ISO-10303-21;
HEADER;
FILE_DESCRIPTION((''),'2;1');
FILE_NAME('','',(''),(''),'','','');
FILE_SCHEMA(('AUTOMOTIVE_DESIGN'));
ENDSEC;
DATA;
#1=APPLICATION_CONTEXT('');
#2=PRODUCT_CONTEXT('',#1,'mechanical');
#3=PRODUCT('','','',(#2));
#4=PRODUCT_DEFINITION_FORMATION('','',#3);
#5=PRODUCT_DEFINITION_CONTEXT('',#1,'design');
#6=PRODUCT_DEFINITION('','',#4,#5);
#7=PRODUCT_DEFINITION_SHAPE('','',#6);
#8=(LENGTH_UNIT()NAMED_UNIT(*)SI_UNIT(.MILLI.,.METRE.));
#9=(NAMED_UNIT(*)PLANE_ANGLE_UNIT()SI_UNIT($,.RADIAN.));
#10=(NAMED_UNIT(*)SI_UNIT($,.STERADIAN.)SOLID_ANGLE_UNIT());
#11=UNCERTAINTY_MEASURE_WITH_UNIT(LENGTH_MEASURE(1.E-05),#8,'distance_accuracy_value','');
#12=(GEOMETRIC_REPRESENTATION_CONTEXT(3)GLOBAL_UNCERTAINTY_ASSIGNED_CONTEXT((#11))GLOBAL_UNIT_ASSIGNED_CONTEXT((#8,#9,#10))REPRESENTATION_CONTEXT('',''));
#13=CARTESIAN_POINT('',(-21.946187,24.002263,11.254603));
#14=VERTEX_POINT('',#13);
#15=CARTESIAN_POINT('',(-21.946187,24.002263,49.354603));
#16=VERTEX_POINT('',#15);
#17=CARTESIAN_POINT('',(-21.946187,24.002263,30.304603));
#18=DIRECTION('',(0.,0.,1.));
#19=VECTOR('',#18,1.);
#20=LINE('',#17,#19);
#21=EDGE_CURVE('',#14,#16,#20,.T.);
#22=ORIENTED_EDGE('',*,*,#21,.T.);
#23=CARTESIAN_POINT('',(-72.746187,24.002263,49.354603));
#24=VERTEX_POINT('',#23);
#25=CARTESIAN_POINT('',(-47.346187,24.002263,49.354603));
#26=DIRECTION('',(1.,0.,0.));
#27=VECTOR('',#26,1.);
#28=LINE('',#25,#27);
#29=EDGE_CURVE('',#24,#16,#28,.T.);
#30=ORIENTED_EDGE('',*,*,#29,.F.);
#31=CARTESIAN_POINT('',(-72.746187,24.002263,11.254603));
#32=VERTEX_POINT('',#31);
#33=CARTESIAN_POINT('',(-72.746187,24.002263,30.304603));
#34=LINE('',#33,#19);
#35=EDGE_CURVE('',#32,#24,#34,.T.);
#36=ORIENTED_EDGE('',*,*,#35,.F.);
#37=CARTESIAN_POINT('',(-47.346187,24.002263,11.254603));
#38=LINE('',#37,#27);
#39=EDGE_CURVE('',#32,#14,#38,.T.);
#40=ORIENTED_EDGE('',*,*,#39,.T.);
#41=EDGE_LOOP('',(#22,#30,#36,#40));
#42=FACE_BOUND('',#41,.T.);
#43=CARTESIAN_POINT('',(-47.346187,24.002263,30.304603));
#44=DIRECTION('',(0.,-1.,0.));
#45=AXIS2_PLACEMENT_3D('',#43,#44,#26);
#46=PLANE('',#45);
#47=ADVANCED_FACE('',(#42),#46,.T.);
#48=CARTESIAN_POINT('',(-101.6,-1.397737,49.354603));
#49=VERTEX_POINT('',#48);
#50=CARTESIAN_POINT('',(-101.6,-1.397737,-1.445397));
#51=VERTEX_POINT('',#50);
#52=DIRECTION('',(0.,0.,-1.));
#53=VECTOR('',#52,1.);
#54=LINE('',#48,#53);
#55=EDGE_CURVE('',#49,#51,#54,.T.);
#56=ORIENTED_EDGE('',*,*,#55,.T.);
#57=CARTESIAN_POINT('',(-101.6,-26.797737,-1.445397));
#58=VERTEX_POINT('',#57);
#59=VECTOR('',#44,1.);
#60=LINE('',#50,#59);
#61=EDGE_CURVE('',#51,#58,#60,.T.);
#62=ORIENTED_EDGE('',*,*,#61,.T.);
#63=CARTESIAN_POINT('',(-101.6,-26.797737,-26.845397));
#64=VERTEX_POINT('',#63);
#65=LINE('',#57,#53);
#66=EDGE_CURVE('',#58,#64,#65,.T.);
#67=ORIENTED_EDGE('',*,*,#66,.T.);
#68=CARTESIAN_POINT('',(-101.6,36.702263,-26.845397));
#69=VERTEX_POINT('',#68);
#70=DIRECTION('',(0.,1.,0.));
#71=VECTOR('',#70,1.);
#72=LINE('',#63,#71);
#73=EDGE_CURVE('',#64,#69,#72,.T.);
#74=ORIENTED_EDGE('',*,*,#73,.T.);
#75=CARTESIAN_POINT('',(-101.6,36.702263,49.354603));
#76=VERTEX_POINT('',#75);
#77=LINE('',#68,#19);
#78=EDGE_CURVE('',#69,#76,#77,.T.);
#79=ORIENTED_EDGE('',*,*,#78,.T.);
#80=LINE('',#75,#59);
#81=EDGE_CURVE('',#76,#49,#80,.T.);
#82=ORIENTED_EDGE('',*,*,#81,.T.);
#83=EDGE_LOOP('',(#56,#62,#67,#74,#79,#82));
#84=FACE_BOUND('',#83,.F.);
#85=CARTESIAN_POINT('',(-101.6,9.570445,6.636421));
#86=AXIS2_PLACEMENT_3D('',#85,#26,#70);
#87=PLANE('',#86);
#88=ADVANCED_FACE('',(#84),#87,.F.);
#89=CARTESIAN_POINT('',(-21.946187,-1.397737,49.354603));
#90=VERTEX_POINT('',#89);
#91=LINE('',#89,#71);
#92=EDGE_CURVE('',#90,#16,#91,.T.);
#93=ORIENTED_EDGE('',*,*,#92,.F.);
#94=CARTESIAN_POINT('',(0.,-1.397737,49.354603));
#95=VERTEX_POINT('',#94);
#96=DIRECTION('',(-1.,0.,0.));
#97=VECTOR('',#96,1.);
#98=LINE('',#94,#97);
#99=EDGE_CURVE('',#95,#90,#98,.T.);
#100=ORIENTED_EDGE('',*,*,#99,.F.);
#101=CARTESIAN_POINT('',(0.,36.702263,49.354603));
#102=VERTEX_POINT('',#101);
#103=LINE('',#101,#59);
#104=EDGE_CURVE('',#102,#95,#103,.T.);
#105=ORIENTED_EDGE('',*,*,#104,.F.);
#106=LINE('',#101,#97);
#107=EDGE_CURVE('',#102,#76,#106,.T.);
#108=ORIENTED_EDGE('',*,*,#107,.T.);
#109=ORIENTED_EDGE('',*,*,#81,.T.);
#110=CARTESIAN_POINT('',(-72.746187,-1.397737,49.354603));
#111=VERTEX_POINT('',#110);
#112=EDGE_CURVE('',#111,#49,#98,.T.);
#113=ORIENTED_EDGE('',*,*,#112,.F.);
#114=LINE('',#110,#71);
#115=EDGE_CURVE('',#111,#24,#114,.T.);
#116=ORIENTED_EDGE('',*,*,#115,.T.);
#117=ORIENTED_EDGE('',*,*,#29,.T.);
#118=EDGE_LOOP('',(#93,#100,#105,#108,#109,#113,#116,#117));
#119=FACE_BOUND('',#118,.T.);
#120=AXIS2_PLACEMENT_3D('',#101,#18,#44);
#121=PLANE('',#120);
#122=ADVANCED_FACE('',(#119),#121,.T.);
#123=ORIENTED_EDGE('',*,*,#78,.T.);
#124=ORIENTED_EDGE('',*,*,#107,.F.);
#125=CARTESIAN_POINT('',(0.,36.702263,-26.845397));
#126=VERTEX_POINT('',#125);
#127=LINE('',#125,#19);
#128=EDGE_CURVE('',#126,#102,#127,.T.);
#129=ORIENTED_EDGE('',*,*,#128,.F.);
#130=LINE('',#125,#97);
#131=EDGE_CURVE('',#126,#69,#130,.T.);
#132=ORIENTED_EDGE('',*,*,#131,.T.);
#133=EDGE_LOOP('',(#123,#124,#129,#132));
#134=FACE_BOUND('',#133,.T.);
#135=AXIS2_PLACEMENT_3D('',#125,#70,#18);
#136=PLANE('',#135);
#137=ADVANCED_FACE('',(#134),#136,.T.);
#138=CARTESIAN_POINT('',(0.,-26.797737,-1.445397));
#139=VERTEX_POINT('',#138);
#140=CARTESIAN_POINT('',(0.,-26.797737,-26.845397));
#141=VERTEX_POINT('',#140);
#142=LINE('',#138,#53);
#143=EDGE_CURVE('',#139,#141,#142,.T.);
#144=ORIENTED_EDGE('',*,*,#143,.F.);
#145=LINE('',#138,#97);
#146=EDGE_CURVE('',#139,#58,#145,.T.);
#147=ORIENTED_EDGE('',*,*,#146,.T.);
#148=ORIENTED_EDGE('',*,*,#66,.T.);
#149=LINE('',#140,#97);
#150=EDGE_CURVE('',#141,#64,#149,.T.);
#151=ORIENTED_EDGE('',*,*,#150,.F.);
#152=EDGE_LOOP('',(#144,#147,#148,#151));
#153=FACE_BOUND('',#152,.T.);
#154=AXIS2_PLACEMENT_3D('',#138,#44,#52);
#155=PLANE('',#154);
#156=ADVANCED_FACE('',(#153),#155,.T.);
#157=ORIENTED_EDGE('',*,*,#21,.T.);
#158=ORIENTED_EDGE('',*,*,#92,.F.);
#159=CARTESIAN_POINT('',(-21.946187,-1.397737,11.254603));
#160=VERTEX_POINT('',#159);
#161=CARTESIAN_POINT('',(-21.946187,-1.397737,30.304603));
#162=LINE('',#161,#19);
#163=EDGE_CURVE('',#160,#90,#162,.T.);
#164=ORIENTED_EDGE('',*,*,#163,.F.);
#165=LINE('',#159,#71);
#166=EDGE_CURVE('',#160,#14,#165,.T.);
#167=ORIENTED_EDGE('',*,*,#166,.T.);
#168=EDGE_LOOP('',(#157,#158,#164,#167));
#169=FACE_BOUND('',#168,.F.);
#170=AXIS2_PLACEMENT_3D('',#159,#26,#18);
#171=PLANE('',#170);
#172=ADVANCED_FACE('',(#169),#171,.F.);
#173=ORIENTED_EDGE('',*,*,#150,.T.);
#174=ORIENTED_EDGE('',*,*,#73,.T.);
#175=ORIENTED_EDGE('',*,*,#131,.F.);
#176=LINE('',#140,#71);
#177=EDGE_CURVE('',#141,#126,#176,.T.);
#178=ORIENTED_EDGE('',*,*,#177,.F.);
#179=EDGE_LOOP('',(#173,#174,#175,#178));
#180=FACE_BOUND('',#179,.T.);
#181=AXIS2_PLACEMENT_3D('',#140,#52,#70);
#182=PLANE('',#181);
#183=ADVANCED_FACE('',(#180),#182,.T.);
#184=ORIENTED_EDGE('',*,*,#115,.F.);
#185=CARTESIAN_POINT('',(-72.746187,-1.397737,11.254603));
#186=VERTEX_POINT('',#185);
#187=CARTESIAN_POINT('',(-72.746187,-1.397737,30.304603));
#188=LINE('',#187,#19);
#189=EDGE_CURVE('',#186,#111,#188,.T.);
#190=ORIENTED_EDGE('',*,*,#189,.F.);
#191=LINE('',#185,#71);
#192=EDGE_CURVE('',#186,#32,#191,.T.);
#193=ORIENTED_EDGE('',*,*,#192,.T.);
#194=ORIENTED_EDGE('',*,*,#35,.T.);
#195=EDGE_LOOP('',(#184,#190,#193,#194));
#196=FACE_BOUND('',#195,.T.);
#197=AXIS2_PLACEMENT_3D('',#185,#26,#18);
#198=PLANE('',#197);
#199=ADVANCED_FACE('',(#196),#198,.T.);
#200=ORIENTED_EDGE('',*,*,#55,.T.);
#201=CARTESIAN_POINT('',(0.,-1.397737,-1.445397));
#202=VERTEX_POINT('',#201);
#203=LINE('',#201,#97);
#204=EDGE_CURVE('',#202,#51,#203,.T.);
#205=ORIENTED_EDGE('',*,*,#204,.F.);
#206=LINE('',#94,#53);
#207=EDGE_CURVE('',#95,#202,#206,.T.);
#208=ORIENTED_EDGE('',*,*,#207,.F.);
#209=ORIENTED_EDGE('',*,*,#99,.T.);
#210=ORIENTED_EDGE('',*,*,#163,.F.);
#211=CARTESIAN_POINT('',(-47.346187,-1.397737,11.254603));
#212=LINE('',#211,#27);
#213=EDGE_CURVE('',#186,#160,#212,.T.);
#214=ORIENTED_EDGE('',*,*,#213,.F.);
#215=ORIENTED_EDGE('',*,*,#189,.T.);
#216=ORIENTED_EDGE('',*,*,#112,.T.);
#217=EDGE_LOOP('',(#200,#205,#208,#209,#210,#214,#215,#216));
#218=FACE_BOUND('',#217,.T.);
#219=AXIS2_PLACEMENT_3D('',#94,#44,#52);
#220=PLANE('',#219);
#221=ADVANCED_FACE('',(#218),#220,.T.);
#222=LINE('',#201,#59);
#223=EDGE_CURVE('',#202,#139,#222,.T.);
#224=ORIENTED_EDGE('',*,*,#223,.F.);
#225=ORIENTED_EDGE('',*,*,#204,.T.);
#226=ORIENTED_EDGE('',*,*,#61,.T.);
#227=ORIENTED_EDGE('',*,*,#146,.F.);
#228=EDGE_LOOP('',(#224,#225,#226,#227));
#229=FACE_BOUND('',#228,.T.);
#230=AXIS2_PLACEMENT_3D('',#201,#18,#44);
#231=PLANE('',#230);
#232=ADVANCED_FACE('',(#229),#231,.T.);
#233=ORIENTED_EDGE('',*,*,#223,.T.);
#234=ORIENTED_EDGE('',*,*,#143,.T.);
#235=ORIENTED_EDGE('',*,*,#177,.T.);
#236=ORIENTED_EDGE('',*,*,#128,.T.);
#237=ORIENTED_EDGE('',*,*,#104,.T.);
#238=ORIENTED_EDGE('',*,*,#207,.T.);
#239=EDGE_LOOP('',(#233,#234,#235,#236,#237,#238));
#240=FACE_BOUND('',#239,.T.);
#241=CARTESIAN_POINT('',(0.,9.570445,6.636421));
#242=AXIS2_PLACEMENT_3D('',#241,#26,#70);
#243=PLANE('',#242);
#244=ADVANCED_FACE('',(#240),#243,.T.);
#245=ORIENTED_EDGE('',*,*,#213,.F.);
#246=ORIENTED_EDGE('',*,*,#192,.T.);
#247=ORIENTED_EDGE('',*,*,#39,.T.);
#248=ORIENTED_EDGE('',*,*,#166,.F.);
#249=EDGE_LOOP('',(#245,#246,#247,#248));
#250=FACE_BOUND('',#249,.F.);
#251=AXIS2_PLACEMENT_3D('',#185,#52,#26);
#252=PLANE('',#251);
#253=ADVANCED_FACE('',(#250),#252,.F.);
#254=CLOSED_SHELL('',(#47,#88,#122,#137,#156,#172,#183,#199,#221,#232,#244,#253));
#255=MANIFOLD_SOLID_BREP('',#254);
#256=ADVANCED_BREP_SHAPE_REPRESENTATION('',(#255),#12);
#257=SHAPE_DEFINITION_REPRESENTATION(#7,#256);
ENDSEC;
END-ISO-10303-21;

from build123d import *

# Parameters (mm, degrees)
F1_DEPTH = 101.6
F2_W     = 50.8
F2_H     = 38.1
F3_DEPTH = 25.4


with BuildPart() as f1:
    # F0 (on Right) → F1 (new body)
    with BuildSketch(Plane.YZ):
        Polygon((-26.797737, -1.445397), (-26.797737, -26.845397), (36.702263, -26.845397), (36.702263, 49.354603), (-1.397737, 49.354603), (-1.397737, -1.445397), align=None)
    extrude(amount=-F1_DEPTH)

    # F2 (on face) → F3 (cut)
    with BuildSketch(Plane.XZ.offset(1.397737)):
        with Locations((-47.346187, 30.304603)):
            Rectangle(F2_W, F2_H)
    extrude(amount=-F3_DEPTH, mode=Mode.SUBTRACT)


solid = f1.part
